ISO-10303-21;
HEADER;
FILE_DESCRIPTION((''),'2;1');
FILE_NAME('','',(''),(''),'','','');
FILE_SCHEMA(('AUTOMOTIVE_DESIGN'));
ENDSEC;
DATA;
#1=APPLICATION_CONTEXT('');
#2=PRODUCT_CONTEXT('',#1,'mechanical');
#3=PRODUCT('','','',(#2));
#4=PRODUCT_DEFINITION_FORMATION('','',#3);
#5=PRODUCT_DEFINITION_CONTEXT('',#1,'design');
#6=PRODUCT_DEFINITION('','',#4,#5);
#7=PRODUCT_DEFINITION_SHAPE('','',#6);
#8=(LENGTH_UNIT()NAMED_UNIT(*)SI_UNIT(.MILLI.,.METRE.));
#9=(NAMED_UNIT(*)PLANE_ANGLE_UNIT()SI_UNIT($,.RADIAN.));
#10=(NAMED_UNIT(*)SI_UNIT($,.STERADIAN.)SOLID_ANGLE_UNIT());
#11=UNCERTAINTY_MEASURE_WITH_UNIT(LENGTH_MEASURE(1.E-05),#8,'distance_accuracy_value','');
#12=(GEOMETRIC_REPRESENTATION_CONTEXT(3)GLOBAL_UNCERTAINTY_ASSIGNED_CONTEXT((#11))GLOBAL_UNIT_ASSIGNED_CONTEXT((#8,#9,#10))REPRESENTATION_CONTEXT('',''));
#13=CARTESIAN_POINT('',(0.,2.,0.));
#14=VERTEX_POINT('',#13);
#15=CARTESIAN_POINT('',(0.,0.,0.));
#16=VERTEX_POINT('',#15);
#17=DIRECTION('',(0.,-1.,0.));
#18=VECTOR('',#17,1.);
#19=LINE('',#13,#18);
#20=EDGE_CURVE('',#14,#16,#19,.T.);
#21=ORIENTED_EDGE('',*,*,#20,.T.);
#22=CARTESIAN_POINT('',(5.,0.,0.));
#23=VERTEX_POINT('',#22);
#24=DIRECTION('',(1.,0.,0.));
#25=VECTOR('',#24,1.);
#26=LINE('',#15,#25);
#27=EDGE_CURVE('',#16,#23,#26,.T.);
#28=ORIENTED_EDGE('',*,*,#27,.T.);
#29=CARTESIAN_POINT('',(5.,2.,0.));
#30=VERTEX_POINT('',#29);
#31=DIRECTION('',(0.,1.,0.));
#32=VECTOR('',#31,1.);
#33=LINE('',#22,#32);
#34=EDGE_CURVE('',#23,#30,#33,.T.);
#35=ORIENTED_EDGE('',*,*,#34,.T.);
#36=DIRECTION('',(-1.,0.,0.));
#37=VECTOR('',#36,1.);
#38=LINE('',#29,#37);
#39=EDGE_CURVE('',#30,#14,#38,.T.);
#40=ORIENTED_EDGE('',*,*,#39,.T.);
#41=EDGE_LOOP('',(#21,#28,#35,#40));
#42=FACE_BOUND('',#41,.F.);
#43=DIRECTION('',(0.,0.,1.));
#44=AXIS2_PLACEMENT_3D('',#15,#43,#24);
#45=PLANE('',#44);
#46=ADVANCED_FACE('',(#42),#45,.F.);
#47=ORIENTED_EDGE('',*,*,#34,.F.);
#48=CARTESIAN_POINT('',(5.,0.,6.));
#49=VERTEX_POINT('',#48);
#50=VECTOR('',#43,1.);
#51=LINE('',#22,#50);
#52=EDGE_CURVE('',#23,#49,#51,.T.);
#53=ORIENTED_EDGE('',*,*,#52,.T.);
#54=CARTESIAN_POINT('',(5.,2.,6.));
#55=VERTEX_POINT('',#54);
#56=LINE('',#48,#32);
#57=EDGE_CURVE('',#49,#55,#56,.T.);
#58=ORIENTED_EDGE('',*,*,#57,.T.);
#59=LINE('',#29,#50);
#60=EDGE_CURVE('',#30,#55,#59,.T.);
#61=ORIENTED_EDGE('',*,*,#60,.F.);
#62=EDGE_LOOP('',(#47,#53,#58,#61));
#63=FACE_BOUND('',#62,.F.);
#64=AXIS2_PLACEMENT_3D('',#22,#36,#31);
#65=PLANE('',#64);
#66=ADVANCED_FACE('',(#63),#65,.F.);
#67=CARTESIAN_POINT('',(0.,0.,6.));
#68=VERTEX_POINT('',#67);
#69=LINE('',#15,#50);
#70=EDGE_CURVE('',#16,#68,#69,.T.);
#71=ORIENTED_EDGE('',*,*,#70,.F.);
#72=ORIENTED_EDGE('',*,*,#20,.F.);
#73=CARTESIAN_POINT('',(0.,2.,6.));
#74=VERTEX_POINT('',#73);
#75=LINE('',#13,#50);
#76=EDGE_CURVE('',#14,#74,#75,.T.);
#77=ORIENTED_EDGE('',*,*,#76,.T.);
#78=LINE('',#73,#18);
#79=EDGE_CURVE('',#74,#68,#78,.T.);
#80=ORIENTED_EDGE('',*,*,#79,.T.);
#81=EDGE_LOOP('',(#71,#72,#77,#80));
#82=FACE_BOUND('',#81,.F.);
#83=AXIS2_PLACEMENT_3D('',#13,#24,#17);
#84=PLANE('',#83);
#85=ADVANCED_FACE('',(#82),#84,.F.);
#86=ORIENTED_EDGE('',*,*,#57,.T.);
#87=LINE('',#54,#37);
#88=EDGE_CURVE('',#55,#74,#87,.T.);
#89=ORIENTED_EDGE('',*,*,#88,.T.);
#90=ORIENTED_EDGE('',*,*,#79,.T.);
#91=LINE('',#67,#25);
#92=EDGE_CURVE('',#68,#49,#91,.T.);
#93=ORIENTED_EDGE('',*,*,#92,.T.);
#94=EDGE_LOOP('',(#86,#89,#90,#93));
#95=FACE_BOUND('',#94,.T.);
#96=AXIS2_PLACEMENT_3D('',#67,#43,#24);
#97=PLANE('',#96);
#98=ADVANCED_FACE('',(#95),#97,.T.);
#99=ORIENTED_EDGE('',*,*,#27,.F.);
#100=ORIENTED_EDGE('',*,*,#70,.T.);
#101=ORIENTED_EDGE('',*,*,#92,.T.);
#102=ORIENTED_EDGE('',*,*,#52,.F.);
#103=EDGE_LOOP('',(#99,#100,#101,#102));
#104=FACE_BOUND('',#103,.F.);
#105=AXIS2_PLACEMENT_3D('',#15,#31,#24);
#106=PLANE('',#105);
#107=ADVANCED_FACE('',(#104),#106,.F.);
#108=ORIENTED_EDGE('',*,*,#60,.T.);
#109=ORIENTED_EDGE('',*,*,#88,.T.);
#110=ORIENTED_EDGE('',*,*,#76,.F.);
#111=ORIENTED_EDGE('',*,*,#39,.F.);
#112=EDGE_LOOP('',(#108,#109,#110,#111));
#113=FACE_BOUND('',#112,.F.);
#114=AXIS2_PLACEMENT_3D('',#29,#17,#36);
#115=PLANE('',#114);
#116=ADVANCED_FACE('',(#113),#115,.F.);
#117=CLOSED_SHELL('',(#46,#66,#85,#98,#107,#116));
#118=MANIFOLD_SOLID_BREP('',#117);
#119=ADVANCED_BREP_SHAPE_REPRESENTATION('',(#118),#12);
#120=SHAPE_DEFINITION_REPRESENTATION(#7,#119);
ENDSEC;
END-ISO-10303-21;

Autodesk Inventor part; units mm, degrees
ref_plane "YZ Plane" through (0, 0, 0) normal (1, 0, 0) x (0, 1, 0)
ref_plane "XZ Plane" through (0, 0, 0) normal (0, 1, 0) x (-1, 0, 0)
ref_plane "XY Plane" through (0, 0, 0) normal (0, 0, 1) x (1, 0, 0)
sketch "Sketch1" plane through (0, 0, 0) normal (0, 0, 1) x (1, 0, 0)
  line L0 (0, 0) -> (5, 0)
  line L1 (5, 0) -> (5, 2)
  line L2 (5, 2) -> (0, 2)
  line L3 (0, 2) -> (0, 0)
  dimension "d0" = 5
  dimension "d1" = 2
extrude "Extrusion1" add sketch "Sketch1" along normal blind 6
properties part number "Steunpoot"
